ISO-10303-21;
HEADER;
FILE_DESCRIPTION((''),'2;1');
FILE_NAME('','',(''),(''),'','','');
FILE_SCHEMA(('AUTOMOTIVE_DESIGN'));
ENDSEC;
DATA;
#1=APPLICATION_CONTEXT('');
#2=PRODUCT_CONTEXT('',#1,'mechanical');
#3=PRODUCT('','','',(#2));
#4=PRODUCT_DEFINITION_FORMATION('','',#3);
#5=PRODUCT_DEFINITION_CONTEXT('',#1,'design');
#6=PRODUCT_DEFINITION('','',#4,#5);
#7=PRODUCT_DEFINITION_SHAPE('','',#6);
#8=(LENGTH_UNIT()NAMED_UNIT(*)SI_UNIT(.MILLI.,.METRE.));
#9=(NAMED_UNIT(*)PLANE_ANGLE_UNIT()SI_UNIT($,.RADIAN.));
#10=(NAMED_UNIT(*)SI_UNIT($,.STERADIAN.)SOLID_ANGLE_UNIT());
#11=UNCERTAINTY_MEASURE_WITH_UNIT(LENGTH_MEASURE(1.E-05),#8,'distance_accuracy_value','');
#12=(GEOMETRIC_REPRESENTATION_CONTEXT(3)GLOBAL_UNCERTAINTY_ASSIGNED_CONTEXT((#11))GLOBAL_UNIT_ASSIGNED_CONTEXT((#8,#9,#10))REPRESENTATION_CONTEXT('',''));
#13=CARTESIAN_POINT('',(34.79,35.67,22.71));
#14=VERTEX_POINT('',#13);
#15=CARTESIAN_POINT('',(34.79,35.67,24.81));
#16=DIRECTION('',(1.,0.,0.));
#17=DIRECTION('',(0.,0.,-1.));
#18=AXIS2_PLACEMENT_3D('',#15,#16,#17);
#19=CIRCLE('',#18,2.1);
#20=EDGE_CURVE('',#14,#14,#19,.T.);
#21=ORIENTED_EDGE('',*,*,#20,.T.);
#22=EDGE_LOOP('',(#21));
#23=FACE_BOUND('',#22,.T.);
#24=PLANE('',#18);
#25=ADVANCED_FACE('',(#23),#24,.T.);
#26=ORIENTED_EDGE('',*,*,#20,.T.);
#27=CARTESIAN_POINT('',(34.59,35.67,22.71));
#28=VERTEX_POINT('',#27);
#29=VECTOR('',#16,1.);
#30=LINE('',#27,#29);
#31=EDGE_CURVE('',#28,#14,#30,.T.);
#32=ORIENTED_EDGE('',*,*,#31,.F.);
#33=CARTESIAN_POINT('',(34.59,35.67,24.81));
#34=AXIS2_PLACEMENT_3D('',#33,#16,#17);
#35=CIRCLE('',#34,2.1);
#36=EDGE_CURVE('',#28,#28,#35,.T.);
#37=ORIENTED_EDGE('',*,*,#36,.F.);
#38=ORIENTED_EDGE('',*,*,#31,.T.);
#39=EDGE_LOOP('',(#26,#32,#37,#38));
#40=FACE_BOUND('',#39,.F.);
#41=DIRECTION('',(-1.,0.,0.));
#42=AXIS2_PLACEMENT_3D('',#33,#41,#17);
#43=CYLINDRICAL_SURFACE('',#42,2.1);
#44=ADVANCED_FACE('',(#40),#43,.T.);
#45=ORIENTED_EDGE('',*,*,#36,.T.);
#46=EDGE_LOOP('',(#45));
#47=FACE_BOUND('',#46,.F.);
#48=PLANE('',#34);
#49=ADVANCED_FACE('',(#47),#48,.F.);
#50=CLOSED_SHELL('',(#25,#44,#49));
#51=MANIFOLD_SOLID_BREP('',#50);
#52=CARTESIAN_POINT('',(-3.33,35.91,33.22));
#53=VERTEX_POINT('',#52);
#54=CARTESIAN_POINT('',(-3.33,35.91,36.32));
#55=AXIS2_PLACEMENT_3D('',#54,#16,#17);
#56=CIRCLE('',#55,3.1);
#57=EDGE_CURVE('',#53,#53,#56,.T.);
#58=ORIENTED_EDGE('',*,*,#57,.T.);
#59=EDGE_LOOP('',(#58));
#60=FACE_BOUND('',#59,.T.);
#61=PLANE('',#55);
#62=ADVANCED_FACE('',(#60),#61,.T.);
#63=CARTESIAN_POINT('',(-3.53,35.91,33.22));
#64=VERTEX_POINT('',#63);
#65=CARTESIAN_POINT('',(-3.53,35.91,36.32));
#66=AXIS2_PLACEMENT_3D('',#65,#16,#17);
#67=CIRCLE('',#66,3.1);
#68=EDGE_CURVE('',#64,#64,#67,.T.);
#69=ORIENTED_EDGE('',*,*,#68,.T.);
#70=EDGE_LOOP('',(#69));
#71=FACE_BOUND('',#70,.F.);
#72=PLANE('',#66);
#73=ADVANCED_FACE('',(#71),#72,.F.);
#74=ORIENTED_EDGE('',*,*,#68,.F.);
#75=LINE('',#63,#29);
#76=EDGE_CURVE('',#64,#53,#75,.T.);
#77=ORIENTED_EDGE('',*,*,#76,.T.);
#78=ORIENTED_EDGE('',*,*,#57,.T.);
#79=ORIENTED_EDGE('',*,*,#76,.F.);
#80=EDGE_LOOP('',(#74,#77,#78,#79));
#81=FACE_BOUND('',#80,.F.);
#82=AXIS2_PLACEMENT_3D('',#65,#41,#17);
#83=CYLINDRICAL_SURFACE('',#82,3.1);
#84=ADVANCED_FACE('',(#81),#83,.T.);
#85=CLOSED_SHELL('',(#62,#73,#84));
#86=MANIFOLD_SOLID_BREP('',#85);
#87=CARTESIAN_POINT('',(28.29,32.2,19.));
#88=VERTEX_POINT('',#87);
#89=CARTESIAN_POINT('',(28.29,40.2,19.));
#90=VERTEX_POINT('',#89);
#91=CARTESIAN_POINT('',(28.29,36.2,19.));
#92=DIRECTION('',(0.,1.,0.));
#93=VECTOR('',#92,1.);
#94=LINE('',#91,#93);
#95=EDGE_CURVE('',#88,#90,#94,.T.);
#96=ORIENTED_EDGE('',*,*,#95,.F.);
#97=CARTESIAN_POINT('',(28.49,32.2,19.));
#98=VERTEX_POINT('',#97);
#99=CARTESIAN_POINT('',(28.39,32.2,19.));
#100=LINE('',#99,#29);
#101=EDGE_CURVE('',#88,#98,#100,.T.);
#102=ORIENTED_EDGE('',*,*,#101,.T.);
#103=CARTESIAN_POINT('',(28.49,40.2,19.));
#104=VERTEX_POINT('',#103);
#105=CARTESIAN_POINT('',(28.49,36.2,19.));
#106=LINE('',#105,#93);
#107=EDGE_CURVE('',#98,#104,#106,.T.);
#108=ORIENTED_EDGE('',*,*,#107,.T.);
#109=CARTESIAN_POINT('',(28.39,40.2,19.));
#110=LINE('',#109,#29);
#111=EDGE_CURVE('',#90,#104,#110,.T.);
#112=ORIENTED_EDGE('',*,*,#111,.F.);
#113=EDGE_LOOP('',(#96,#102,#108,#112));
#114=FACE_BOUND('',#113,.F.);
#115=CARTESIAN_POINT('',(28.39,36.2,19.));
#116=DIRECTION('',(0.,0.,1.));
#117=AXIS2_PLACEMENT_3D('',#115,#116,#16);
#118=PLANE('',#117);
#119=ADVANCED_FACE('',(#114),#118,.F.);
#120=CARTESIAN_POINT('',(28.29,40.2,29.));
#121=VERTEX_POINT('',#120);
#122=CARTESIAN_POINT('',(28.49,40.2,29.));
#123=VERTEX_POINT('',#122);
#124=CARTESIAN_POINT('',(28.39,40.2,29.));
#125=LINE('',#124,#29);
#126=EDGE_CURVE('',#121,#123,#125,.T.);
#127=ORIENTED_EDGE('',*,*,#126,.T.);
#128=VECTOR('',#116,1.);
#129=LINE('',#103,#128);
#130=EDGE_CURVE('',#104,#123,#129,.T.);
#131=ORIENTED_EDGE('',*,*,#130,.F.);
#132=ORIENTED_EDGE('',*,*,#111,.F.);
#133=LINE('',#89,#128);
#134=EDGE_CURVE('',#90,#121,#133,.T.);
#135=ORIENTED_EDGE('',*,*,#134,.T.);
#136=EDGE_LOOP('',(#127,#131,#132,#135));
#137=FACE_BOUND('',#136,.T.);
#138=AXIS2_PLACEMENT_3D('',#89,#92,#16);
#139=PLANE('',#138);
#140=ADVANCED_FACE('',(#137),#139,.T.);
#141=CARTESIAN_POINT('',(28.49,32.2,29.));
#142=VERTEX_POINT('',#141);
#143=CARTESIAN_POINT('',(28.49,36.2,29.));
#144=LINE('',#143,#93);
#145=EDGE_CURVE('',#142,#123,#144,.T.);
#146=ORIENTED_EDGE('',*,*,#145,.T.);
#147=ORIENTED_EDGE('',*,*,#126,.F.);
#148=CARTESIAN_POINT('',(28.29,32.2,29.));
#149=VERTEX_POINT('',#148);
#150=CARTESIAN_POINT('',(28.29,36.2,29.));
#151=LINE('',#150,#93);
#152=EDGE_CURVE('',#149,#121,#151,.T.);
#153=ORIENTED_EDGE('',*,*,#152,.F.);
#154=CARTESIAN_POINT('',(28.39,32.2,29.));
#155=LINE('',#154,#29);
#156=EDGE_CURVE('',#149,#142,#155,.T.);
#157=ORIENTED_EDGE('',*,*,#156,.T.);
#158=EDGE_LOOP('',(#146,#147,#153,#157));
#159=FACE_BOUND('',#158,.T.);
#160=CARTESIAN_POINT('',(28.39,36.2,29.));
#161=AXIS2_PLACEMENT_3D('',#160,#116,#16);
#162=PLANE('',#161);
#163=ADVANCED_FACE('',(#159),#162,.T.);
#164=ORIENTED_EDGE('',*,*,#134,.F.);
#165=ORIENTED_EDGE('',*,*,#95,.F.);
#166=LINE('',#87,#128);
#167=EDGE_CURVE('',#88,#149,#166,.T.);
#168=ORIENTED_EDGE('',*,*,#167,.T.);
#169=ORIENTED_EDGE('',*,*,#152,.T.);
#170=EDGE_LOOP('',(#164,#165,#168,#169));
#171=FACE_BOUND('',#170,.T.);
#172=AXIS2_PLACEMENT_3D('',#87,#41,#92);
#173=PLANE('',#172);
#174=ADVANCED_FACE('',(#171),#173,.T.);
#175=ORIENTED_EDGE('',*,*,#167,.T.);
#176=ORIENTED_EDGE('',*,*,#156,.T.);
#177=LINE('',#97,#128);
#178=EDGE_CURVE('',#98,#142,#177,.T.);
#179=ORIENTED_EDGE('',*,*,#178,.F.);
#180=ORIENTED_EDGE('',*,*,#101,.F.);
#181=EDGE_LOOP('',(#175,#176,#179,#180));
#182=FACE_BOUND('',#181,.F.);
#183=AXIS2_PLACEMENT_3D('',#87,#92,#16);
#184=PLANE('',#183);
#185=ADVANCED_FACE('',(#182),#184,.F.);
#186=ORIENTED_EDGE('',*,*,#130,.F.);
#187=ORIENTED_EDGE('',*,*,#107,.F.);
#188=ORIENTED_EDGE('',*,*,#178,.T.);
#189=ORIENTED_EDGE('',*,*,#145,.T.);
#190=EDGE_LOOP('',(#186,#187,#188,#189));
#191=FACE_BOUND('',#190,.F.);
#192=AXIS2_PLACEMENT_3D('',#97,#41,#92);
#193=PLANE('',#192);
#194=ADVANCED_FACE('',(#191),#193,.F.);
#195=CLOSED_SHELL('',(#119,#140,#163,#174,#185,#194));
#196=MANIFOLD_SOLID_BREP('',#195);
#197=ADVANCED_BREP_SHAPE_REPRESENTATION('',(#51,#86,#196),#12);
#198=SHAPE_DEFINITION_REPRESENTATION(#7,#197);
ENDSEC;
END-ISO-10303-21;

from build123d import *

# Parameters (mm, degrees)
CYLINDER010040_R     = 3.1
CYLINDER010040_DEPTH = 0.2
BOX051045_W          = 0.2
BOX051045_H          = 8
BOX051045_DEPTH      = 10
CYLINDER010036_R     = 2.1
CYLINDER010036_DEPTH = 0.2


with BuildPart() as cylinder010040:
    # Cylinder010040 → Cylinder010040 (new body)
    with BuildSketch(Plane(origin=(-3.53, 35.91, 36.32), x_dir=(0, 0, -1), z_dir=(1, 0, 0))):
        Circle(CYLINDER010040_R)
    extrude(amount=CYLINDER010040_DEPTH)


with BuildPart() as box051045:
    # Box051045 → Box051045 (new body)
    with BuildSketch(Plane(origin=(28.29, 32.2, 19), x_dir=(1, 0, 0), z_dir=(0, 0, 1))):
        with Locations((0.1, 4)):
            Rectangle(BOX051045_W, BOX051045_H)
    extrude(amount=BOX051045_DEPTH)


with BuildPart() as print_supporter:
    # Cylinder010036 → Cylinder010036 (new body)
    with BuildSketch(Plane(origin=(34.59, 35.67, 24.81), x_dir=(0, 0, -1), z_dir=(1, 0, 0))):
        Circle(CYLINDER010036_R)
    extrude(amount=CYLINDER010036_DEPTH)

    # Fusion004006005010017004019022003002026: union Cylinder010040, Box051045
    add(cylinder010040.part)
    add(box051045.part)


solid = print_supporter.part
